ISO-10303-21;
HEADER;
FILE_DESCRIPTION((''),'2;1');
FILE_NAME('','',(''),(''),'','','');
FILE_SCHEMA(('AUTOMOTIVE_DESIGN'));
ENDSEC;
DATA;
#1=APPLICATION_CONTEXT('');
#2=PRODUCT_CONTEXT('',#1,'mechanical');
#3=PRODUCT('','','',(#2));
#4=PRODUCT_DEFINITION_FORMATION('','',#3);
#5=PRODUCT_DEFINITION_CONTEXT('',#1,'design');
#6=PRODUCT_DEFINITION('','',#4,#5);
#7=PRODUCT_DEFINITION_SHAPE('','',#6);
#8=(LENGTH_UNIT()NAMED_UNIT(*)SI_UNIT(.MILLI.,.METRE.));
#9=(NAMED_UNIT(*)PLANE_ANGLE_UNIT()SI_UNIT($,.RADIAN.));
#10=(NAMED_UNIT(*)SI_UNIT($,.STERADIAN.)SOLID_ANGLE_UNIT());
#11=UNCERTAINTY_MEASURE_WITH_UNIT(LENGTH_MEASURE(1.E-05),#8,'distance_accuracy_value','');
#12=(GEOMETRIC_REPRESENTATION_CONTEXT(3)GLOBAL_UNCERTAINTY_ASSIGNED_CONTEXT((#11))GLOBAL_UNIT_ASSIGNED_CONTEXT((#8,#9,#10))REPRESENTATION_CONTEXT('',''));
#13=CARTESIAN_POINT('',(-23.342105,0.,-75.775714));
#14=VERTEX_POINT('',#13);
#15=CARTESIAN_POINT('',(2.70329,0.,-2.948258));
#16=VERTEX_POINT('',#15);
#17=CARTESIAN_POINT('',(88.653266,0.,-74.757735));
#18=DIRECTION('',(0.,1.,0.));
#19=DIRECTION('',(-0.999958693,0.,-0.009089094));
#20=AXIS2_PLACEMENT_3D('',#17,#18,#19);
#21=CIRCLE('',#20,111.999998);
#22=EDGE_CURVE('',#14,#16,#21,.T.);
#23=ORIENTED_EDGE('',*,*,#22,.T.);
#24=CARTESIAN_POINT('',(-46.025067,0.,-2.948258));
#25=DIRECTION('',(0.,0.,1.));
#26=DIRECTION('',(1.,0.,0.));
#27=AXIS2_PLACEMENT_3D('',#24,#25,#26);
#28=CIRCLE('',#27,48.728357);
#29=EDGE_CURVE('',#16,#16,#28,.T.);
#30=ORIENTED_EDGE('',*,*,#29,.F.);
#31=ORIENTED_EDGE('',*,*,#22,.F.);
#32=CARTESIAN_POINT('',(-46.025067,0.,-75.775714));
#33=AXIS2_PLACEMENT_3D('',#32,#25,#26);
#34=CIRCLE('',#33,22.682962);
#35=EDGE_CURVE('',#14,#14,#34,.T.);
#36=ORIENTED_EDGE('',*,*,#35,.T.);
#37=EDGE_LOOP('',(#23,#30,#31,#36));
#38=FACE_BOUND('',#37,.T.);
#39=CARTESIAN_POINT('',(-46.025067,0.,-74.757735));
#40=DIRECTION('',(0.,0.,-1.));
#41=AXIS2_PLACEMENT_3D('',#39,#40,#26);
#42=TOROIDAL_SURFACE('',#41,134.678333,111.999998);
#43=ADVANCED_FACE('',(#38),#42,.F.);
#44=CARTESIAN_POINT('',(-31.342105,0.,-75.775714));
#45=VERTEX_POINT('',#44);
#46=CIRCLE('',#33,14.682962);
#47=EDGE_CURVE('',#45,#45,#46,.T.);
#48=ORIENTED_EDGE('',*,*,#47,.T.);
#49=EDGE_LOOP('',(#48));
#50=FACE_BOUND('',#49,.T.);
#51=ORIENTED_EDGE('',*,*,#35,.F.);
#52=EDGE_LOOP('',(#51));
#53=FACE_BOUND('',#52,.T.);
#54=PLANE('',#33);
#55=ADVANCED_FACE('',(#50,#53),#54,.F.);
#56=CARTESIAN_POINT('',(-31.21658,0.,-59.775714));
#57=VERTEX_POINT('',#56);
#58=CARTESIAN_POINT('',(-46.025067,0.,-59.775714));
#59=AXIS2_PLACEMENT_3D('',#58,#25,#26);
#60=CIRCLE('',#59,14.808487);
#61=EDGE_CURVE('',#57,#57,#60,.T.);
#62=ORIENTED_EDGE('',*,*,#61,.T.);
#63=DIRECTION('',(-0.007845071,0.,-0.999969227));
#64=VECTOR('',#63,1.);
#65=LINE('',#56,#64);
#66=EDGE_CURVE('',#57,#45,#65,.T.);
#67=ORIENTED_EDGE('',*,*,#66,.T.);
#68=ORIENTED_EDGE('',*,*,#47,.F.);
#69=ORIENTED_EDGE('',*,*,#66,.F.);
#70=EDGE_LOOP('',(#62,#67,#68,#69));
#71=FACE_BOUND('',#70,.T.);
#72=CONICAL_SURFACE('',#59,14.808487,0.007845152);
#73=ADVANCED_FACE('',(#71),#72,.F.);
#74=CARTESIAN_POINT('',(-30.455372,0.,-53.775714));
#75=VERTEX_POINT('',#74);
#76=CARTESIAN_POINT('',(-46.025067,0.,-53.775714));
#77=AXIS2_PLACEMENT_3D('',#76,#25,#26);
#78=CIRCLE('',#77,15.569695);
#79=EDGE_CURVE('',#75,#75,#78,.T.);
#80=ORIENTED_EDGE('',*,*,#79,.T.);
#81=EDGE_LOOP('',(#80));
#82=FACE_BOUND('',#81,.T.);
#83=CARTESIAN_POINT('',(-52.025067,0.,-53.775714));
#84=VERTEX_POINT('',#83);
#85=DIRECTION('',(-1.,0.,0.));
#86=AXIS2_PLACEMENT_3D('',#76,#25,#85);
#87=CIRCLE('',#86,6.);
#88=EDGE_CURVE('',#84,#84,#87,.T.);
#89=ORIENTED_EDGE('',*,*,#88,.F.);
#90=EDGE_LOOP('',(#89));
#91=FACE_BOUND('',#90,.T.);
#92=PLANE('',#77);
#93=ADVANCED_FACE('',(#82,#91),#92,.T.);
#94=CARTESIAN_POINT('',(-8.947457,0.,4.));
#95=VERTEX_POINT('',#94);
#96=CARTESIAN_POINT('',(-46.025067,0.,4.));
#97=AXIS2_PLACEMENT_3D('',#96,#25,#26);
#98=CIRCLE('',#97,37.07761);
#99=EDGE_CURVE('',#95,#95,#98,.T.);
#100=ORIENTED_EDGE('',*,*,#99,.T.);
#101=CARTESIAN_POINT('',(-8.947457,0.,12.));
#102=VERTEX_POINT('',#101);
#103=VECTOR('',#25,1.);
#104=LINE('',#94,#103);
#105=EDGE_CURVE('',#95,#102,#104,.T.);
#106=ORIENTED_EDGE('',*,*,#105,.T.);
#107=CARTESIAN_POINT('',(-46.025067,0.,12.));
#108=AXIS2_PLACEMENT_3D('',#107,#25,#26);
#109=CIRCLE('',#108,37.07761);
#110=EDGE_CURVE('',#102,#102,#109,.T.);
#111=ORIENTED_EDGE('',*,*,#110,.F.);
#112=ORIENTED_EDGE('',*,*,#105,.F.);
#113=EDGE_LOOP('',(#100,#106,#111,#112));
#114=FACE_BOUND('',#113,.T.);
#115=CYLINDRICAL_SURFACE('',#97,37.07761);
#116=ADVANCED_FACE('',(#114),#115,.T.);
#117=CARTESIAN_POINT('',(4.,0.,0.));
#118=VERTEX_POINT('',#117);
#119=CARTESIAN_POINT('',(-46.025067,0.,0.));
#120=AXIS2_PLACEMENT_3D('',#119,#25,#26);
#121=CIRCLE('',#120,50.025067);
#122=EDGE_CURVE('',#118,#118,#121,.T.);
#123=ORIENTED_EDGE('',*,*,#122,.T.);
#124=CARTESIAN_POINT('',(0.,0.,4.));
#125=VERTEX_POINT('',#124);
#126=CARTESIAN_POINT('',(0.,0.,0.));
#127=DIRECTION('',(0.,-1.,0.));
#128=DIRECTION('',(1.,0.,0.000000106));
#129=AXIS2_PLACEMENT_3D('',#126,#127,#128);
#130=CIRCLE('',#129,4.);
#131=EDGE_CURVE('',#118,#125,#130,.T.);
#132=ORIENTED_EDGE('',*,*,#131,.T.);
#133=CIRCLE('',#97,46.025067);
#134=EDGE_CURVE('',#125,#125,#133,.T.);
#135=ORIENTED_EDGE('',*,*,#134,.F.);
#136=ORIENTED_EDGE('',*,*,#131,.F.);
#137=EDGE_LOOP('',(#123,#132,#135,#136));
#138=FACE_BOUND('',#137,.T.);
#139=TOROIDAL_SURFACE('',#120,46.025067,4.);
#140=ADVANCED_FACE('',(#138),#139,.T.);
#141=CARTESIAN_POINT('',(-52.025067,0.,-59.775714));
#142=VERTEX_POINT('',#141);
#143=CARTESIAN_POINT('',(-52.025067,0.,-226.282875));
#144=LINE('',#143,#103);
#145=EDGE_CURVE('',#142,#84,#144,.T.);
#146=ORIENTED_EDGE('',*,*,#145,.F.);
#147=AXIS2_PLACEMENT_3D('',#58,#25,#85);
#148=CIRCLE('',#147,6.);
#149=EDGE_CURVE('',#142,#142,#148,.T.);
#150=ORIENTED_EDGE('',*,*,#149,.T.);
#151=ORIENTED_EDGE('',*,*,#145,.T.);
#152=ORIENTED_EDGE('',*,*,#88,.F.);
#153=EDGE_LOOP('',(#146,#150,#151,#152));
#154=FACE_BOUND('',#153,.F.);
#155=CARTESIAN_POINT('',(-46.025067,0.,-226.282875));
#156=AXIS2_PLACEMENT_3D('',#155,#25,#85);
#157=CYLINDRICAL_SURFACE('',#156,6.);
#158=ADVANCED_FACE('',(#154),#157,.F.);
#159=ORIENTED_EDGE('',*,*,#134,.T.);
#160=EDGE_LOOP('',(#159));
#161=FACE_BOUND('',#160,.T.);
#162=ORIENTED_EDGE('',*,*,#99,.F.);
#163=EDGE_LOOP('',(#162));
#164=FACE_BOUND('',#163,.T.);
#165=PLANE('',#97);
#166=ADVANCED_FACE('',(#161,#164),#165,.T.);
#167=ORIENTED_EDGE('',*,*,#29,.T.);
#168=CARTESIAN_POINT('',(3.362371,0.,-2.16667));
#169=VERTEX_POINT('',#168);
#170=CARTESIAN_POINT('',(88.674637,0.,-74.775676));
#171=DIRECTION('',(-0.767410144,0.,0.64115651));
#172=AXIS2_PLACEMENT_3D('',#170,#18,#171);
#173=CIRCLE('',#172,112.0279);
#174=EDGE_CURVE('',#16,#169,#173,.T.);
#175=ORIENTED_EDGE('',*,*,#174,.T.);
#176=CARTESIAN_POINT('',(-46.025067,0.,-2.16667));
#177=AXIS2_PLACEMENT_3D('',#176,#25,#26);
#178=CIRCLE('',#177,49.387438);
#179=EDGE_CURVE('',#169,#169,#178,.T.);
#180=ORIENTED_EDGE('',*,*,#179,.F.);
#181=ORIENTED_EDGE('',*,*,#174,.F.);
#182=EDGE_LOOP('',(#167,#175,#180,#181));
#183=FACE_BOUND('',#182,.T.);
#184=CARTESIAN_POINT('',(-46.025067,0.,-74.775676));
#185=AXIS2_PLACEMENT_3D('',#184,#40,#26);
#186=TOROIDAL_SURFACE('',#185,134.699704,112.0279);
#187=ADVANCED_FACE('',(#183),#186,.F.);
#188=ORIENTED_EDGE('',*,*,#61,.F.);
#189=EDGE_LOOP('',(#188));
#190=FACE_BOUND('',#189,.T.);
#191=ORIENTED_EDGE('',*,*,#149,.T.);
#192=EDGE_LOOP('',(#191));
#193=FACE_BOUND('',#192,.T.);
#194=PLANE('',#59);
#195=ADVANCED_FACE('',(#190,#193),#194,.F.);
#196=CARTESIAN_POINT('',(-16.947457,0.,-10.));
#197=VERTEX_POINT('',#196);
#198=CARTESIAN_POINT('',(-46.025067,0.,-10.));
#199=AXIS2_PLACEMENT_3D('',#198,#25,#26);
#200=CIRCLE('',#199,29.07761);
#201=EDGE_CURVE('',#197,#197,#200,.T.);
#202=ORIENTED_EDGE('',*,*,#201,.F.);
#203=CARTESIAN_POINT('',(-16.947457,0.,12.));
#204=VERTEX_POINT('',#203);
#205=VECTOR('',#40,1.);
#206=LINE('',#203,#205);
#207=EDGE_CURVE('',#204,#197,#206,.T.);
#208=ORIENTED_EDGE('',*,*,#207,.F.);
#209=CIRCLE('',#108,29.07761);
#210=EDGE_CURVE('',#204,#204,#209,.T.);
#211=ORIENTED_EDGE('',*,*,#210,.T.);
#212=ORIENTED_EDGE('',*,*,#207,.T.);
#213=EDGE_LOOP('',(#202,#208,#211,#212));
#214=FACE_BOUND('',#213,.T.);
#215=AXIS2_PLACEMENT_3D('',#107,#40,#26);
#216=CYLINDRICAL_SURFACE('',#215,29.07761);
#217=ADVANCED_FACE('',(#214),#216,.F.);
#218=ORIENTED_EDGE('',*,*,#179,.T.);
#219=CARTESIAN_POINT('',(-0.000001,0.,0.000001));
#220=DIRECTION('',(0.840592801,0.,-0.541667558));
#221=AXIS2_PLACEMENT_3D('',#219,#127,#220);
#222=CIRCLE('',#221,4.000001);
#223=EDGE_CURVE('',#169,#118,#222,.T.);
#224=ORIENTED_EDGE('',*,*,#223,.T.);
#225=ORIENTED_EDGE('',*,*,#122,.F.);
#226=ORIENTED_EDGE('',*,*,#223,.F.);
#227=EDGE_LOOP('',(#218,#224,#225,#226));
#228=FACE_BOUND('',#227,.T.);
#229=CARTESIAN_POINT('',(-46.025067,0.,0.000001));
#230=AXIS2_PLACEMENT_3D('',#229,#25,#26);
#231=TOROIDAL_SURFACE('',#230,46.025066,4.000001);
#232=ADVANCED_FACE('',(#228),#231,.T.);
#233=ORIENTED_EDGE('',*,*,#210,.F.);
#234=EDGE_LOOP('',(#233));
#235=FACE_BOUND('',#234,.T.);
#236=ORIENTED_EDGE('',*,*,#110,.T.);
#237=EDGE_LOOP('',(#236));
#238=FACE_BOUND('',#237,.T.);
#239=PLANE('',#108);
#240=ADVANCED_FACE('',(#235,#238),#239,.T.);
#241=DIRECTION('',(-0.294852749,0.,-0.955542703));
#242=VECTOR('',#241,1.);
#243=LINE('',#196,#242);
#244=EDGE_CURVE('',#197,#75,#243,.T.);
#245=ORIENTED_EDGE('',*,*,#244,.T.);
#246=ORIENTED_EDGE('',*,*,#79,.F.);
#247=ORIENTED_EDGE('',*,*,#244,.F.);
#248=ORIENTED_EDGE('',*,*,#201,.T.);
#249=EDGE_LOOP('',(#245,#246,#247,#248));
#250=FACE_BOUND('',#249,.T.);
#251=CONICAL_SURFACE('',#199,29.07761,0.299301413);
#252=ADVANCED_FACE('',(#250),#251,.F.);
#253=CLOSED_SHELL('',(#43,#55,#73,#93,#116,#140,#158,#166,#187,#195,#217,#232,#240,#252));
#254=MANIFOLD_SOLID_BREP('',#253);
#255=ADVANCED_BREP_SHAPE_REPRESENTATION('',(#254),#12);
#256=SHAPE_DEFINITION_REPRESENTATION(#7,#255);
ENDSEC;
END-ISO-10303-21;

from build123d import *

# Parameters (mm, degrees)
F3_D = 12


with BuildPart() as f1:
    # F0 (on Front) → F1 (revolve)
    with BuildSketch(Plane.XZ):
        with BuildLine():
            ThreePointArc((2.70329, -2.948258), (-3.727803, -1.450339), (0, 4))
            Line((0, 4), (-8.947457, 4))
            Line((-8.947457, 4), (-8.947457, 12))
            Line((-8.947457, 12), (-16.947457, 12))
            Line((-16.947457, 12), (-16.947457, -10))
            Line((-16.947457, -10), (-30.455372, -53.775714))
            Line((-30.455372, -53.775714), (-46.025067, -53.775714))
            Line((-46.025067, -53.775714), (-46.025067, -59.775714))
            Line((-46.025067, -59.775714), (-31.21658, -59.775714))
            Line((-31.21658, -59.775714), (-31.342105, -75.775714))
            Line((-31.342105, -75.775714), (-23.342105, -75.775714))
            ThreePointArc((-23.342105, -75.775714), (-16.805492, -37.042357), (2.70329, -2.948258))
        make_face()
        with BuildLine():
            ThreePointArc((3.362371, -2.16667), (3.837283, -1.129273), (4, 0))
            ThreePointArc((4, 0), (2.828427, 2.828427), (0, 4))
            ThreePointArc((0, 4), (-3.727803, -1.450339), (2.70329, -2.948258))
            ThreePointArc((2.70329, -2.948258), (3.031939, -2.556712), (3.362371, -2.16667))
        make_face()
    revolve(axis=Axis((-46.025067, 0, -56.775714), (0, 0, 1)))

    # F3 (through all)
    with Locations(Plane(origin=(0, 0, -59.775714), x_dir=(1, 0, 0), z_dir=(0, 0, -1))):
        with Locations((-46.025067, 0)):
            Hole(F3_D / 2)


solid = f1.part
